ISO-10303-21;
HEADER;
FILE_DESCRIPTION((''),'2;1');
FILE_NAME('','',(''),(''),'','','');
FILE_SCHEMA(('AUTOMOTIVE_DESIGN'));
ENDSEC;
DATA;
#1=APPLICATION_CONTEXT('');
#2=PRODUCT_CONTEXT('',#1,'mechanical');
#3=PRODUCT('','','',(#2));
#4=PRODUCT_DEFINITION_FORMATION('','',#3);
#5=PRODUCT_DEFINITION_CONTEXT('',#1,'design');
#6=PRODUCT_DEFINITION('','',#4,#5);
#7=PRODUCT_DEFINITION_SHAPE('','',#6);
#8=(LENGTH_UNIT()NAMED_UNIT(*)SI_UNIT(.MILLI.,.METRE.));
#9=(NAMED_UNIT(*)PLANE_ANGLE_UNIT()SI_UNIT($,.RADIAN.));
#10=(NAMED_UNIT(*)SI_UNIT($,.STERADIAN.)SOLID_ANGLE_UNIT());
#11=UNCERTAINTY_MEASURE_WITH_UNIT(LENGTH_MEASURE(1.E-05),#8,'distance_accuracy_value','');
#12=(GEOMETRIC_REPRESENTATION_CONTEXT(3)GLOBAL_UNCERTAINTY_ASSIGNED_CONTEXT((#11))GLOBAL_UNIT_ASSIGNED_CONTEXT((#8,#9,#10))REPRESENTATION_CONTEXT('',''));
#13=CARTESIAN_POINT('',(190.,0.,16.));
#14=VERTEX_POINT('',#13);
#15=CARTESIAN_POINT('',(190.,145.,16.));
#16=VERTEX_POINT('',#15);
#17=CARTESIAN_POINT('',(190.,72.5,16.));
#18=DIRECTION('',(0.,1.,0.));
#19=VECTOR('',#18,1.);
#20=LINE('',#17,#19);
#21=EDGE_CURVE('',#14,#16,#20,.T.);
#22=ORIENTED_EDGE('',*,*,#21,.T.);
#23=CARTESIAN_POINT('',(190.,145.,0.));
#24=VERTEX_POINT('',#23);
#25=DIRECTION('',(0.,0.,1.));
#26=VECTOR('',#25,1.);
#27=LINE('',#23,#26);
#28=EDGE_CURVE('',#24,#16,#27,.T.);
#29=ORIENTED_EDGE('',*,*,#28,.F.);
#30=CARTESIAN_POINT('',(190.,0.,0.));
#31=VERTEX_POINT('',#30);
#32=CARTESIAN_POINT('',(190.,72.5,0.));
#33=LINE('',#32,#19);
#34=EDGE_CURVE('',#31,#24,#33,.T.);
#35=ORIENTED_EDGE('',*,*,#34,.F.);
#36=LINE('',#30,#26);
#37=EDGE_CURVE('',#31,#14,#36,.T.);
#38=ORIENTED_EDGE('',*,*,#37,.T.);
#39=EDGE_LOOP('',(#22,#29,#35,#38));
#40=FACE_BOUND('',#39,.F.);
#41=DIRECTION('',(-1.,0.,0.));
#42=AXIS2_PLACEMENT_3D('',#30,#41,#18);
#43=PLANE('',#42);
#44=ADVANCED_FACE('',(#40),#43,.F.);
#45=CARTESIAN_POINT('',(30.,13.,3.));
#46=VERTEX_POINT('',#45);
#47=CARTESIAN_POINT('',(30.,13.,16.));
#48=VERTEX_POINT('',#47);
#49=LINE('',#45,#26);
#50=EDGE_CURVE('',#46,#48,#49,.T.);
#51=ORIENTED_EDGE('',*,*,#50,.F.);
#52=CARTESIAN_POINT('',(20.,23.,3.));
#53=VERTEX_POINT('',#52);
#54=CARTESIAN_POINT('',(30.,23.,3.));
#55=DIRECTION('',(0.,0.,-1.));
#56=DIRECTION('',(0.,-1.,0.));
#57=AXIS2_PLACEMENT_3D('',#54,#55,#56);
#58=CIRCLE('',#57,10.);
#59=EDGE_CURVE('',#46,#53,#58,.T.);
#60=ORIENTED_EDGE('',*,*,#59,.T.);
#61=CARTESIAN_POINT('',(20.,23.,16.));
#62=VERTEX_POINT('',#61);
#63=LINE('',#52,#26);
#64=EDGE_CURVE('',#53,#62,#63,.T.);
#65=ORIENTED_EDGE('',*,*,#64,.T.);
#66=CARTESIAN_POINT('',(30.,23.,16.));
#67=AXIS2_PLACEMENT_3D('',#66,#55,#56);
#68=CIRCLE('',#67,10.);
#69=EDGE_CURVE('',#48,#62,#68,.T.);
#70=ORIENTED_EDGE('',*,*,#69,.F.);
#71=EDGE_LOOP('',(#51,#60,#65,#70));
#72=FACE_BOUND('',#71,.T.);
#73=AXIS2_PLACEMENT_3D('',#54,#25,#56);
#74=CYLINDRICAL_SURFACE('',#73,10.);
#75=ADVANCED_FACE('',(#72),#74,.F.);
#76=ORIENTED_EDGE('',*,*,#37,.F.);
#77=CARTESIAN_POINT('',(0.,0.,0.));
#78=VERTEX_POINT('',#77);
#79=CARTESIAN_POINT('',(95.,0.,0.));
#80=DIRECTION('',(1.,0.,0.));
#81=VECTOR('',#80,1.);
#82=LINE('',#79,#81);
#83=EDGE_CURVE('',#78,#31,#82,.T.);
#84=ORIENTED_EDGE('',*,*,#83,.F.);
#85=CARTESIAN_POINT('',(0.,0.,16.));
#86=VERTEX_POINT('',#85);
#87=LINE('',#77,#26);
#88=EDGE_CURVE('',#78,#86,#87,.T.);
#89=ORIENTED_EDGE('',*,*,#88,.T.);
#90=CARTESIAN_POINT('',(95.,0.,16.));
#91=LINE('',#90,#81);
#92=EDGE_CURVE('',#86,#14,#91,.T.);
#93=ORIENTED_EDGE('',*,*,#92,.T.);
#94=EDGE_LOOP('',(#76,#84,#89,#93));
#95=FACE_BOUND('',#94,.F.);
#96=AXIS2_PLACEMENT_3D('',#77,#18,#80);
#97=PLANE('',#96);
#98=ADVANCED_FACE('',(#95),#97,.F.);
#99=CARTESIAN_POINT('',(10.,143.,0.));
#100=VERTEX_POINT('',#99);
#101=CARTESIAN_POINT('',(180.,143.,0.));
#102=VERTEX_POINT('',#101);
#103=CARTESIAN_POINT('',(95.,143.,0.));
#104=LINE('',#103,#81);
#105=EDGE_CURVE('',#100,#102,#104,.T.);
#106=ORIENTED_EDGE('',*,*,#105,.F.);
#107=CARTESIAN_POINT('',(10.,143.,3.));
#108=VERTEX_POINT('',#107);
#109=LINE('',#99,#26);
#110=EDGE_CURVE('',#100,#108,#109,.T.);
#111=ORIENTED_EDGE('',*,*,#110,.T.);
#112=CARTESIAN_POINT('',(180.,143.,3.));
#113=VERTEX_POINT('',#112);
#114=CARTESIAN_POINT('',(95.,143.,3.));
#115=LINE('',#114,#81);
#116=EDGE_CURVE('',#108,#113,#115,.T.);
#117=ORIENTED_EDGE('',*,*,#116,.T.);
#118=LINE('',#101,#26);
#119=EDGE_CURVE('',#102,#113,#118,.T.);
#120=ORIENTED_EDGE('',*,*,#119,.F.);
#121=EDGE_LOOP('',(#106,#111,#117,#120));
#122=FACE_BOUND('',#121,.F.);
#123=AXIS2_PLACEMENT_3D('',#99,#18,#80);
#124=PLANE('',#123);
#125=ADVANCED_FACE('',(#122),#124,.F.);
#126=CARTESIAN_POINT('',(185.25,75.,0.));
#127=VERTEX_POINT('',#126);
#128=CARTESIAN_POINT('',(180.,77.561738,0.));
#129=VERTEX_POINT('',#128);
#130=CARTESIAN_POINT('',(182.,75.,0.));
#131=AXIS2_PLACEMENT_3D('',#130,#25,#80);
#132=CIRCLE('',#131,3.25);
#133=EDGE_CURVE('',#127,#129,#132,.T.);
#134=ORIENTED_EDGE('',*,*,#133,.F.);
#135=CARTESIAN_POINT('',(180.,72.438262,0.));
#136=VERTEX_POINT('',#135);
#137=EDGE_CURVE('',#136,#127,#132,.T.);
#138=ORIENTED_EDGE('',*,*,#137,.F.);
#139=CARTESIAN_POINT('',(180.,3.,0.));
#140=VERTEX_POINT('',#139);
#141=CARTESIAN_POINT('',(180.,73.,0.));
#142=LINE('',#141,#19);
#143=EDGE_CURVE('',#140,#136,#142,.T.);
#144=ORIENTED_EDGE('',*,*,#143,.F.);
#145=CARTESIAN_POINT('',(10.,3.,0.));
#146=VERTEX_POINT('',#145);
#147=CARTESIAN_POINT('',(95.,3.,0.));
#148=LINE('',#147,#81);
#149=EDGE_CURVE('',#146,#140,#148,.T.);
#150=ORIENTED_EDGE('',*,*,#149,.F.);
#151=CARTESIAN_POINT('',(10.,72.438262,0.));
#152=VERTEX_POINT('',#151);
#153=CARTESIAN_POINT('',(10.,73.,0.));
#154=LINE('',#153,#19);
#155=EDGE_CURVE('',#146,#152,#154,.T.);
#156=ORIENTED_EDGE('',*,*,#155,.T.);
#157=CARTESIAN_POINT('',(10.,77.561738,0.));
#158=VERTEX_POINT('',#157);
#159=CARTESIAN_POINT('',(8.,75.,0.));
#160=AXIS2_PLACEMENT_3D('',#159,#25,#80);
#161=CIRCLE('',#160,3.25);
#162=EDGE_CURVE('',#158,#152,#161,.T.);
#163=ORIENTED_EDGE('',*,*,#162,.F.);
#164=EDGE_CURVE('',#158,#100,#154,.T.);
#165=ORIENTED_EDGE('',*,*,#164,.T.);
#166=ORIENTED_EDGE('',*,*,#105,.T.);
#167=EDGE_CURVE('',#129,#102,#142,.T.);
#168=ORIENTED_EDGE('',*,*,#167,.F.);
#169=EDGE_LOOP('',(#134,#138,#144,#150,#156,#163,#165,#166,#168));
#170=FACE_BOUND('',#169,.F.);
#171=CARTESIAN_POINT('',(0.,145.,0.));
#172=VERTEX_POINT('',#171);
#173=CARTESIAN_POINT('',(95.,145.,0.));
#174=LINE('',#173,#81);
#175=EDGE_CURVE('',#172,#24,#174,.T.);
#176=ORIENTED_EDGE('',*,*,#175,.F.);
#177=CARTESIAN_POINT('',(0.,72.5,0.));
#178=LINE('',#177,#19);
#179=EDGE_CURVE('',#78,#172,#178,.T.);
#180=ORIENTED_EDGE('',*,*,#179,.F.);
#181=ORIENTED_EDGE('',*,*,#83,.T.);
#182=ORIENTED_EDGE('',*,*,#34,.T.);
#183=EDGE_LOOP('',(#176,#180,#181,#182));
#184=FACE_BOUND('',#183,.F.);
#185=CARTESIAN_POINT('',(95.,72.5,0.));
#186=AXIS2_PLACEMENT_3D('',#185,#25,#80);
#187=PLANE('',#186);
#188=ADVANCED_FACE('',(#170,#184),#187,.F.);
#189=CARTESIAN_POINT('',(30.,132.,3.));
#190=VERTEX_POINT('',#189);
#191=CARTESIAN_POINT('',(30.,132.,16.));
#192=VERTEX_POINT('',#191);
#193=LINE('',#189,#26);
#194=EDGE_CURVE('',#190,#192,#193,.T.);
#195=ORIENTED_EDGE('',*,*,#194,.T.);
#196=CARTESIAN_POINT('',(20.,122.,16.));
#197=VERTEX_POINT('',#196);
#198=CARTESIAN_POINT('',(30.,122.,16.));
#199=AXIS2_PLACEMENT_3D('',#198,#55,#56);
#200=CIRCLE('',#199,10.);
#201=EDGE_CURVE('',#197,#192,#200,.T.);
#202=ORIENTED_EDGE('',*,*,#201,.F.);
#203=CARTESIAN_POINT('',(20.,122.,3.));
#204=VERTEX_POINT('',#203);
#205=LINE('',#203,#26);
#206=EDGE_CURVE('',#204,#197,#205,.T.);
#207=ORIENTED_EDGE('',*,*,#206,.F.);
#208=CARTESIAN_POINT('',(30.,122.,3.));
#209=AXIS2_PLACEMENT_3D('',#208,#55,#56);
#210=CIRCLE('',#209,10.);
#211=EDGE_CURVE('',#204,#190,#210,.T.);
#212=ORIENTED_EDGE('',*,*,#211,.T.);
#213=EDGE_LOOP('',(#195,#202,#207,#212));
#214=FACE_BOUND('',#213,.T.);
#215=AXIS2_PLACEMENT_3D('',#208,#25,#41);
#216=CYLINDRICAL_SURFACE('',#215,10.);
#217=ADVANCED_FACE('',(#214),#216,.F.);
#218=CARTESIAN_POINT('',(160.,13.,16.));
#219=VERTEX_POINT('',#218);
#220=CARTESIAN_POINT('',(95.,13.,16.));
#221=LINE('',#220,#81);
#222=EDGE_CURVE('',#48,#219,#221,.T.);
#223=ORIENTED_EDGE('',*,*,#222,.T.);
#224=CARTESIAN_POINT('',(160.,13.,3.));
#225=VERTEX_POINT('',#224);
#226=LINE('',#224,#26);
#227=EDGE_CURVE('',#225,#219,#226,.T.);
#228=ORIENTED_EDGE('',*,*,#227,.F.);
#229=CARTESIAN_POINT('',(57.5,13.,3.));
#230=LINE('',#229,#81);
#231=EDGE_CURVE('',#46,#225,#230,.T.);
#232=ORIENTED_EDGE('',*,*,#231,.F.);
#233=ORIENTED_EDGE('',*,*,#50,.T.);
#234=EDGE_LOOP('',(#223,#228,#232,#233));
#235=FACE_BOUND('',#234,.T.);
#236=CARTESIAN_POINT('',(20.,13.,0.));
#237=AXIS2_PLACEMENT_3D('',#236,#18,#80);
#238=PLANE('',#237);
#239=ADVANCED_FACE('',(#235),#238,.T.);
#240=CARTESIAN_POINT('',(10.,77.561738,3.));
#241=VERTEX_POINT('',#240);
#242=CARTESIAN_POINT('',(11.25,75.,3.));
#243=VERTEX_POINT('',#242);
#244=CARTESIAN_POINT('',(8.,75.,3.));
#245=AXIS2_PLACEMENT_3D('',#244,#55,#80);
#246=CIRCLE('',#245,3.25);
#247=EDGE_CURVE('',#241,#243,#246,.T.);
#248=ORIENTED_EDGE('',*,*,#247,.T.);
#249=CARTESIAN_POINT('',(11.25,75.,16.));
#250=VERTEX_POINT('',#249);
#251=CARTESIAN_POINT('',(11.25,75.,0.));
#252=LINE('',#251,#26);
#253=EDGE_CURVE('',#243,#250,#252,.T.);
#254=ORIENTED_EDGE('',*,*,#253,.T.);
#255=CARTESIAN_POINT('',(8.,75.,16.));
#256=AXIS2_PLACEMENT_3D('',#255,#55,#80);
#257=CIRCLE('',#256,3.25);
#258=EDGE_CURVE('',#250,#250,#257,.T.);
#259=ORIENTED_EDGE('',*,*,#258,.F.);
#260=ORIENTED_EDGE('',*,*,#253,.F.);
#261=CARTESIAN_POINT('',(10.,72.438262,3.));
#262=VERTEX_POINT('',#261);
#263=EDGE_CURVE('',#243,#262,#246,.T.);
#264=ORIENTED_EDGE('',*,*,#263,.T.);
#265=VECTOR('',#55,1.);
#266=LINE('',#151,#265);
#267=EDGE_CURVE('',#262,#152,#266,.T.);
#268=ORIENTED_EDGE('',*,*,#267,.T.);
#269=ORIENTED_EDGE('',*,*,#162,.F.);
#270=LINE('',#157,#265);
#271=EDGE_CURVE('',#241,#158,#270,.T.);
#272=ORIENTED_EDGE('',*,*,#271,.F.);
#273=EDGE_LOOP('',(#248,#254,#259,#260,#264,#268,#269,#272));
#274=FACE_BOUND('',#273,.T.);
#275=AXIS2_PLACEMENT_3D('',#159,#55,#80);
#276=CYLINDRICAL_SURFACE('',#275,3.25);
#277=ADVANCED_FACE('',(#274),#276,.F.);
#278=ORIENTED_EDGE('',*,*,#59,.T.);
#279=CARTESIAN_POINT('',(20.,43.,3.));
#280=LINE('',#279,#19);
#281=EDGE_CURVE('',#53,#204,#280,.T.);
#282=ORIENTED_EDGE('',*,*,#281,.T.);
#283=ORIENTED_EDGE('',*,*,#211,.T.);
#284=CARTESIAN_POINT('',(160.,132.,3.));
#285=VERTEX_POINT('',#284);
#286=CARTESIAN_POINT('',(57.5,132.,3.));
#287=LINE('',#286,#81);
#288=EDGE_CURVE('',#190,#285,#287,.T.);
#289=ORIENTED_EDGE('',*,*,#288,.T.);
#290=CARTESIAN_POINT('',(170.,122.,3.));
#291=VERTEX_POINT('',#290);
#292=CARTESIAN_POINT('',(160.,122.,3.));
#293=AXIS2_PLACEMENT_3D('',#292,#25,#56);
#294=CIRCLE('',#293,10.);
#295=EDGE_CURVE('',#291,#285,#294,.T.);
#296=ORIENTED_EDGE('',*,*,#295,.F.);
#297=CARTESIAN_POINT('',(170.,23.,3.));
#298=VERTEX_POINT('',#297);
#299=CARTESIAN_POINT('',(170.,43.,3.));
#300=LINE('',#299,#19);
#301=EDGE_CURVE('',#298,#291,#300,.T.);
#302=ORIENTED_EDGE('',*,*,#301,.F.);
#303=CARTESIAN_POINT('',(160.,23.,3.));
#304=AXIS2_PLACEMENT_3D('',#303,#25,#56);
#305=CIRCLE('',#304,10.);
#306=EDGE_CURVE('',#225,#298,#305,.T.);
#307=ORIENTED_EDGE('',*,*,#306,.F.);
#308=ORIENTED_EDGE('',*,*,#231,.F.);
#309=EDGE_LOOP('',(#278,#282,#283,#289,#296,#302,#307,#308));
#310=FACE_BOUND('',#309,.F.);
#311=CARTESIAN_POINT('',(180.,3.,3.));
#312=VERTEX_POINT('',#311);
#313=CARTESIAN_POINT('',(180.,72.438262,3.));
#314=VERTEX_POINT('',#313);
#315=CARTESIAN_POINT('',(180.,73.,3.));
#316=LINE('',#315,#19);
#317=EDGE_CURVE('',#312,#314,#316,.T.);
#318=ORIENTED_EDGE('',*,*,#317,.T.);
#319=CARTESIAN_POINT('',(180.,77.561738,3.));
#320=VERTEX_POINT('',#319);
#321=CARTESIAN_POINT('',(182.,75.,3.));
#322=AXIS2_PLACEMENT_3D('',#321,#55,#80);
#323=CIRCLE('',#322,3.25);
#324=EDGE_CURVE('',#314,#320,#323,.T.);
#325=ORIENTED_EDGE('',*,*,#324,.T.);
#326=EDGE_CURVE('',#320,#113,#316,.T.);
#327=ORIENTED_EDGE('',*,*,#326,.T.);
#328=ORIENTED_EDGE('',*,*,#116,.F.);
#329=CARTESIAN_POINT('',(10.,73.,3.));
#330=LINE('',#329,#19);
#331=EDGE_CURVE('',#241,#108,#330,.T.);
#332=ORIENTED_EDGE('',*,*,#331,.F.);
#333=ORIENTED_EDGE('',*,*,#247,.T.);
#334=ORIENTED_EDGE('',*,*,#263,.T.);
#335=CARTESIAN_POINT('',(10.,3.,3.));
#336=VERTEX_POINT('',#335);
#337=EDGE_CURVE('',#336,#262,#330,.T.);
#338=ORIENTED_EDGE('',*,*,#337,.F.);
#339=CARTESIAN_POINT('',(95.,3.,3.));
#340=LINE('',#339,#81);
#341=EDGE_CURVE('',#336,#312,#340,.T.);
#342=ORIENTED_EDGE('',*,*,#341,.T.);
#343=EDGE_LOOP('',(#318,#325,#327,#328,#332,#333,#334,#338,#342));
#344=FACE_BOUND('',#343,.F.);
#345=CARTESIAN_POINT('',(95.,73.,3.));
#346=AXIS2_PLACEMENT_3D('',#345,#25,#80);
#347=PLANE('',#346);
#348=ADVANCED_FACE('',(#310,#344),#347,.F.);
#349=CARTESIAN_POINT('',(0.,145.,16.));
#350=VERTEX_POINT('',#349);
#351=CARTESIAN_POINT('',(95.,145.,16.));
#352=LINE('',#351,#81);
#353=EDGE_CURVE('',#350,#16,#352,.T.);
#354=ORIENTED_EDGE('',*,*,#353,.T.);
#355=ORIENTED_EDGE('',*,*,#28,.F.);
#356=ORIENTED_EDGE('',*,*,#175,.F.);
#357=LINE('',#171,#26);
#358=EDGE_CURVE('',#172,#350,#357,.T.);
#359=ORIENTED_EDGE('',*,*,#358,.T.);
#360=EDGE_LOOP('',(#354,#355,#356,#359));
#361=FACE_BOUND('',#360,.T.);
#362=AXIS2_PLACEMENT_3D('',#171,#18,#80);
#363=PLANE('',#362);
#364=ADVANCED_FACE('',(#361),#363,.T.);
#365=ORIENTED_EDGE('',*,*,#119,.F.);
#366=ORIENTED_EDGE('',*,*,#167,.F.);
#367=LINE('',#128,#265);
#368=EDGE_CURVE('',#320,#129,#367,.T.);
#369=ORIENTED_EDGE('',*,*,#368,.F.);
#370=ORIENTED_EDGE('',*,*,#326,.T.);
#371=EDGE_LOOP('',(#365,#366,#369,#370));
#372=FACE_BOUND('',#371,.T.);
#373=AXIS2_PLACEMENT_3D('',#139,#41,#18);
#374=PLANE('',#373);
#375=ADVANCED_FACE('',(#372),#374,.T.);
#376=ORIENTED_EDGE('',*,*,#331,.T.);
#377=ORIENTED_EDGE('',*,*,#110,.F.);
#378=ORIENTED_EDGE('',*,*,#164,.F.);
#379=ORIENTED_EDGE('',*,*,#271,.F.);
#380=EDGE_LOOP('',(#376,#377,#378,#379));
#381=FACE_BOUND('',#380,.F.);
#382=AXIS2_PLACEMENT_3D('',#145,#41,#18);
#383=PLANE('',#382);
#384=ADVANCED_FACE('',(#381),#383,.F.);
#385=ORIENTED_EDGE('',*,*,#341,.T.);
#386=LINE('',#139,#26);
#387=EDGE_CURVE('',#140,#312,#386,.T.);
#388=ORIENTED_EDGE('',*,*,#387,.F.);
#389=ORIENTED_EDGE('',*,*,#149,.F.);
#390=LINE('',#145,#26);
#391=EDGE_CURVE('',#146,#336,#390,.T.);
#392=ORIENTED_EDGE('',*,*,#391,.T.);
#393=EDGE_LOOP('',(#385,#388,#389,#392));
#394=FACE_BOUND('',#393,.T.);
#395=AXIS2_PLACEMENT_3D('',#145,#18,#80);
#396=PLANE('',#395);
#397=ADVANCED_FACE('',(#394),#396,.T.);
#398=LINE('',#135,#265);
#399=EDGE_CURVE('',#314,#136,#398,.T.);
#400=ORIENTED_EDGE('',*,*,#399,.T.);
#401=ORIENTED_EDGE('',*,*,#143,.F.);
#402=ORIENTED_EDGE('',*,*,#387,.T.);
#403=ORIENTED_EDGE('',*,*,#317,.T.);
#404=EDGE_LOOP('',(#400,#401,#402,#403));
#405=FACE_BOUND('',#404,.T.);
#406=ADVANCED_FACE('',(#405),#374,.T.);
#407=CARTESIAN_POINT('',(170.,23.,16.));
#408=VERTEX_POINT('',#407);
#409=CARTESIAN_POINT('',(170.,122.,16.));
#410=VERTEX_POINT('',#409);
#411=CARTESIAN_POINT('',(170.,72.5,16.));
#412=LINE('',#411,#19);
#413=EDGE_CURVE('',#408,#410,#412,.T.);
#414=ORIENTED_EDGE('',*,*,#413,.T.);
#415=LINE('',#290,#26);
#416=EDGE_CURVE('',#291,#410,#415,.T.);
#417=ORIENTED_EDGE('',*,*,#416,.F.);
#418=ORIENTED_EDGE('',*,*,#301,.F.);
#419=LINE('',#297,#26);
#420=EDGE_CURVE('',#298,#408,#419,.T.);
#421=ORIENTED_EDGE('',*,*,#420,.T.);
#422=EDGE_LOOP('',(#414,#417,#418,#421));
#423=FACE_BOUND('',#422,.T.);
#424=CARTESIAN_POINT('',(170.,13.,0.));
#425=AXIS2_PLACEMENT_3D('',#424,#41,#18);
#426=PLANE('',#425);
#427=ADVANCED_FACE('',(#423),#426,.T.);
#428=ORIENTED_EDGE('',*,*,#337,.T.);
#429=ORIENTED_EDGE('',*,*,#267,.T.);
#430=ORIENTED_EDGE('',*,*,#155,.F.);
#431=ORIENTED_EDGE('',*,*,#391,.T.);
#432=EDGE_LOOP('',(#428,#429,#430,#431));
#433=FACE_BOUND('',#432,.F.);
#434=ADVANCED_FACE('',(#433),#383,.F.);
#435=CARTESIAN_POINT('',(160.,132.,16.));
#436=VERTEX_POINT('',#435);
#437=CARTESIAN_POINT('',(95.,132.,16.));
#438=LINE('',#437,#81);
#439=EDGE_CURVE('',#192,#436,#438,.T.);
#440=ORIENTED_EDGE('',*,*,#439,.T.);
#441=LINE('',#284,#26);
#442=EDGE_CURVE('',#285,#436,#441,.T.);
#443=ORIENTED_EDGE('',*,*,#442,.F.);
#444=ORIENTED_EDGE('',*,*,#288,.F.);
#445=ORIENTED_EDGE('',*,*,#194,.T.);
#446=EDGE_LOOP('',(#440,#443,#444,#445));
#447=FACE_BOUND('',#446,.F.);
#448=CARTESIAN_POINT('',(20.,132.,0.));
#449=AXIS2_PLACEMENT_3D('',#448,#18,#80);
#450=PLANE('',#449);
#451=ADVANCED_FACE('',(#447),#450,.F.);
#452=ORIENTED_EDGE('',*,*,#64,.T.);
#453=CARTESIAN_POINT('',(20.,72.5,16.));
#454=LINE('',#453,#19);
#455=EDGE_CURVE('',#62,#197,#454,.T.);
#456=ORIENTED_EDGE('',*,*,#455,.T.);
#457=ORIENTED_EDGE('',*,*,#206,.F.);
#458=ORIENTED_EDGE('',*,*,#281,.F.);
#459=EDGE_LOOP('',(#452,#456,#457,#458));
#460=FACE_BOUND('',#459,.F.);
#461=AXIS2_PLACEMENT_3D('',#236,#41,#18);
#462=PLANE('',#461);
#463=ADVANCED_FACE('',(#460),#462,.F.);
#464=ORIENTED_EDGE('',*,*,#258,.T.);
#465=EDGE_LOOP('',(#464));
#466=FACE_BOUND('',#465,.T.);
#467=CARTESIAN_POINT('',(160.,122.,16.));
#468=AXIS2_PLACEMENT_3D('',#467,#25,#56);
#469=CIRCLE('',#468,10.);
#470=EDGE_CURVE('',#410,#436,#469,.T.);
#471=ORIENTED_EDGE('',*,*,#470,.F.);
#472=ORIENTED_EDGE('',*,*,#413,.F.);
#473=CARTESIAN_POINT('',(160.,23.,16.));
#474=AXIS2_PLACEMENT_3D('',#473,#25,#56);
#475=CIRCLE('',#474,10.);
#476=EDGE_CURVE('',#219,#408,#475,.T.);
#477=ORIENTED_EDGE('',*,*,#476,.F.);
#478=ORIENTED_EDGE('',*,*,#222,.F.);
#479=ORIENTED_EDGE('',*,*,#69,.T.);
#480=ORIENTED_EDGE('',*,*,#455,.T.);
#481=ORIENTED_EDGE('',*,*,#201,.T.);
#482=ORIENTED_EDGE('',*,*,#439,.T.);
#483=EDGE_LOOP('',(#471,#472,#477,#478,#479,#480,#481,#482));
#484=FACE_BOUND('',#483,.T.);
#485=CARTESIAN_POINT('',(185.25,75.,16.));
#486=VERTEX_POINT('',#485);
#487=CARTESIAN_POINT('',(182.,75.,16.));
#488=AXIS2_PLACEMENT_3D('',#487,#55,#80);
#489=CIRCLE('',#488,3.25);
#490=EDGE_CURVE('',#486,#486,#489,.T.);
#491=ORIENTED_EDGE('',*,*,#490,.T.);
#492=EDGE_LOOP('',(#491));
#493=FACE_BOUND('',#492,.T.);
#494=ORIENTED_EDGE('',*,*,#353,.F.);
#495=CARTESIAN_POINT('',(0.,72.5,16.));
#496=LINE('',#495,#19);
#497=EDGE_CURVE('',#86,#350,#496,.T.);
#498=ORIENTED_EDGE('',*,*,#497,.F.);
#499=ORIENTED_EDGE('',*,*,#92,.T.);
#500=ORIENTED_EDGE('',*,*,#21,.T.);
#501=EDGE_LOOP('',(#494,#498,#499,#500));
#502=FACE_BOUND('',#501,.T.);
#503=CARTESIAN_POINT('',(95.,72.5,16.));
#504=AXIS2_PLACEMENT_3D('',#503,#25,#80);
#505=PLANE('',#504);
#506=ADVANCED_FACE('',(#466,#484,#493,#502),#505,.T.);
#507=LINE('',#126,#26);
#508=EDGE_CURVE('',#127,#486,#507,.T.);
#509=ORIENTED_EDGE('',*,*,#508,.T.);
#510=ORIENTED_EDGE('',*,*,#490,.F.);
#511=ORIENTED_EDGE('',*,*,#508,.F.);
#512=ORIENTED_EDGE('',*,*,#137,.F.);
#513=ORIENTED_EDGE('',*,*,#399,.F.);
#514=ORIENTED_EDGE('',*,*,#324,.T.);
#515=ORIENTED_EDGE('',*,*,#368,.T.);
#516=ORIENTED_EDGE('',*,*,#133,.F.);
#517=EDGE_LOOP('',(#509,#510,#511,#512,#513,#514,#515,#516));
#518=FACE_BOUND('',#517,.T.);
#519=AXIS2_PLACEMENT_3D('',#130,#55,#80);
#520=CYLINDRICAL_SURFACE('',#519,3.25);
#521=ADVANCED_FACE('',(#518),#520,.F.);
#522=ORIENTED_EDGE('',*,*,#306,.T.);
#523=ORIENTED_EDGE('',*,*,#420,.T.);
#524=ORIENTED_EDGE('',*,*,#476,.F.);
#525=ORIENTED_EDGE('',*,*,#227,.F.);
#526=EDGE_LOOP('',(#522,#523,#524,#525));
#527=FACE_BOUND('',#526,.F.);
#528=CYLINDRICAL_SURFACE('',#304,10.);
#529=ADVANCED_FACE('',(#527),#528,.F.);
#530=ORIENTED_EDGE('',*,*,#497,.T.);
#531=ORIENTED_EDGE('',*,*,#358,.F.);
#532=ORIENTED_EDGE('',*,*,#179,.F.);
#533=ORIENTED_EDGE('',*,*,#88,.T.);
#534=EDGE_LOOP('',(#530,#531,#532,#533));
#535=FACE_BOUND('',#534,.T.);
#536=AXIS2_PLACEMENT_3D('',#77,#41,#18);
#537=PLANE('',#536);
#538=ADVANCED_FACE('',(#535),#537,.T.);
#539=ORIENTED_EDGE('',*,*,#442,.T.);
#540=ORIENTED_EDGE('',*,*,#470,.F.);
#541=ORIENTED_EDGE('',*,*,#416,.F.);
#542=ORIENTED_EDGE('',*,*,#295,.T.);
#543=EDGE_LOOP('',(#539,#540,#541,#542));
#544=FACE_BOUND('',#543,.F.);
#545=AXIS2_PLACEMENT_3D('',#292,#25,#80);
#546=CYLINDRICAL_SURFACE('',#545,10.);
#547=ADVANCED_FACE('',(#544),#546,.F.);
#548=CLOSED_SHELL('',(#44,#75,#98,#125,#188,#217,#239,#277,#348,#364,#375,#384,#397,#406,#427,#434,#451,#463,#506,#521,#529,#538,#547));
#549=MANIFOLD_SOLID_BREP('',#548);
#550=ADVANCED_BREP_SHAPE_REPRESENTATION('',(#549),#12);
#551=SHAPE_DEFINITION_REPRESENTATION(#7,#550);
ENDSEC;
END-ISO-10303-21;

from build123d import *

# Parameters (mm, degrees)
CYLINDER_R     = 3.25
CYLINDER_DEPTH = 26
ARRAY_X_COUNT  = 2
ARRAY_X_PITCH  = 174
BOX002_W       = 170
BOX002_H       = 140
BOX002_DEPTH   = 3
BOX001_W       = 150
BOX001_H       = 119
BOX001_DEPTH   = 16
BOX_W          = 190
BOX_H          = 145
BOX_DEPTH      = 16
FILLET_R       = 10


with BuildPart() as array:
    # Cylinder → Cylinder (new body)
    with BuildSketch(Plane(origin=(8, 75, 0), x_dir=(1, 0, 0), z_dir=(0, 0, 1))):
        Circle(CYLINDER_R)
    extrude(amount=CYLINDER_DEPTH)

    # Array X: Array ×2


with BuildPart() as array_1:
    add(array.part)
    with Locations(*[(i * ARRAY_X_PITCH, 0, 0) for i in range(1, ARRAY_X_COUNT)]):
        add(array.part)


with BuildPart() as cubo001:
    # Box002 → Box002 (new body)
    with BuildSketch(Plane(origin=(10, 3, 0), x_dir=(1, 0, 0), z_dir=(0, 0, 1))):
        with Locations((85, 70)):
            Rectangle(BOX002_W, BOX002_H)
    extrude(amount=BOX002_DEPTH)


with BuildPart() as fusion:
    # Box001 → Box001 (new body)
    with BuildSketch(Plane(origin=(20, 13, 0), x_dir=(1, 0, 0), z_dir=(0, 0, 1))):
        with Locations((75, 59.5)):
            Rectangle(BOX001_W, BOX001_H)
    extrude(amount=BOX001_DEPTH)

    # Fusion: union Cubo001
    add(cubo001.part)


with BuildPart() as fillet_body:
    # Box → Box (new body)
    with BuildSketch(Plane.XY):
        with Locations((95, 72.5)):
            Rectangle(BOX_W, BOX_H)
    extrude(amount=BOX_DEPTH)

    # Cut: cut Fusion
    add(fusion.part, mode=Mode.SUBTRACT)

    # Cut001: cut Array
    add(array_1.part, mode=Mode.SUBTRACT)

    # Fillet
    fillet_edges = [fillet_body.edges().sort_by_distance(p)[0] for p in [
        (170, 132, 9.5),
        (20, 132, 9.5),
        (170, 13, 9.5),
        (20, 13, 9.5),
    ]]
    fillet(fillet_edges, radius=FILLET_R)


solid = fillet_body.part
